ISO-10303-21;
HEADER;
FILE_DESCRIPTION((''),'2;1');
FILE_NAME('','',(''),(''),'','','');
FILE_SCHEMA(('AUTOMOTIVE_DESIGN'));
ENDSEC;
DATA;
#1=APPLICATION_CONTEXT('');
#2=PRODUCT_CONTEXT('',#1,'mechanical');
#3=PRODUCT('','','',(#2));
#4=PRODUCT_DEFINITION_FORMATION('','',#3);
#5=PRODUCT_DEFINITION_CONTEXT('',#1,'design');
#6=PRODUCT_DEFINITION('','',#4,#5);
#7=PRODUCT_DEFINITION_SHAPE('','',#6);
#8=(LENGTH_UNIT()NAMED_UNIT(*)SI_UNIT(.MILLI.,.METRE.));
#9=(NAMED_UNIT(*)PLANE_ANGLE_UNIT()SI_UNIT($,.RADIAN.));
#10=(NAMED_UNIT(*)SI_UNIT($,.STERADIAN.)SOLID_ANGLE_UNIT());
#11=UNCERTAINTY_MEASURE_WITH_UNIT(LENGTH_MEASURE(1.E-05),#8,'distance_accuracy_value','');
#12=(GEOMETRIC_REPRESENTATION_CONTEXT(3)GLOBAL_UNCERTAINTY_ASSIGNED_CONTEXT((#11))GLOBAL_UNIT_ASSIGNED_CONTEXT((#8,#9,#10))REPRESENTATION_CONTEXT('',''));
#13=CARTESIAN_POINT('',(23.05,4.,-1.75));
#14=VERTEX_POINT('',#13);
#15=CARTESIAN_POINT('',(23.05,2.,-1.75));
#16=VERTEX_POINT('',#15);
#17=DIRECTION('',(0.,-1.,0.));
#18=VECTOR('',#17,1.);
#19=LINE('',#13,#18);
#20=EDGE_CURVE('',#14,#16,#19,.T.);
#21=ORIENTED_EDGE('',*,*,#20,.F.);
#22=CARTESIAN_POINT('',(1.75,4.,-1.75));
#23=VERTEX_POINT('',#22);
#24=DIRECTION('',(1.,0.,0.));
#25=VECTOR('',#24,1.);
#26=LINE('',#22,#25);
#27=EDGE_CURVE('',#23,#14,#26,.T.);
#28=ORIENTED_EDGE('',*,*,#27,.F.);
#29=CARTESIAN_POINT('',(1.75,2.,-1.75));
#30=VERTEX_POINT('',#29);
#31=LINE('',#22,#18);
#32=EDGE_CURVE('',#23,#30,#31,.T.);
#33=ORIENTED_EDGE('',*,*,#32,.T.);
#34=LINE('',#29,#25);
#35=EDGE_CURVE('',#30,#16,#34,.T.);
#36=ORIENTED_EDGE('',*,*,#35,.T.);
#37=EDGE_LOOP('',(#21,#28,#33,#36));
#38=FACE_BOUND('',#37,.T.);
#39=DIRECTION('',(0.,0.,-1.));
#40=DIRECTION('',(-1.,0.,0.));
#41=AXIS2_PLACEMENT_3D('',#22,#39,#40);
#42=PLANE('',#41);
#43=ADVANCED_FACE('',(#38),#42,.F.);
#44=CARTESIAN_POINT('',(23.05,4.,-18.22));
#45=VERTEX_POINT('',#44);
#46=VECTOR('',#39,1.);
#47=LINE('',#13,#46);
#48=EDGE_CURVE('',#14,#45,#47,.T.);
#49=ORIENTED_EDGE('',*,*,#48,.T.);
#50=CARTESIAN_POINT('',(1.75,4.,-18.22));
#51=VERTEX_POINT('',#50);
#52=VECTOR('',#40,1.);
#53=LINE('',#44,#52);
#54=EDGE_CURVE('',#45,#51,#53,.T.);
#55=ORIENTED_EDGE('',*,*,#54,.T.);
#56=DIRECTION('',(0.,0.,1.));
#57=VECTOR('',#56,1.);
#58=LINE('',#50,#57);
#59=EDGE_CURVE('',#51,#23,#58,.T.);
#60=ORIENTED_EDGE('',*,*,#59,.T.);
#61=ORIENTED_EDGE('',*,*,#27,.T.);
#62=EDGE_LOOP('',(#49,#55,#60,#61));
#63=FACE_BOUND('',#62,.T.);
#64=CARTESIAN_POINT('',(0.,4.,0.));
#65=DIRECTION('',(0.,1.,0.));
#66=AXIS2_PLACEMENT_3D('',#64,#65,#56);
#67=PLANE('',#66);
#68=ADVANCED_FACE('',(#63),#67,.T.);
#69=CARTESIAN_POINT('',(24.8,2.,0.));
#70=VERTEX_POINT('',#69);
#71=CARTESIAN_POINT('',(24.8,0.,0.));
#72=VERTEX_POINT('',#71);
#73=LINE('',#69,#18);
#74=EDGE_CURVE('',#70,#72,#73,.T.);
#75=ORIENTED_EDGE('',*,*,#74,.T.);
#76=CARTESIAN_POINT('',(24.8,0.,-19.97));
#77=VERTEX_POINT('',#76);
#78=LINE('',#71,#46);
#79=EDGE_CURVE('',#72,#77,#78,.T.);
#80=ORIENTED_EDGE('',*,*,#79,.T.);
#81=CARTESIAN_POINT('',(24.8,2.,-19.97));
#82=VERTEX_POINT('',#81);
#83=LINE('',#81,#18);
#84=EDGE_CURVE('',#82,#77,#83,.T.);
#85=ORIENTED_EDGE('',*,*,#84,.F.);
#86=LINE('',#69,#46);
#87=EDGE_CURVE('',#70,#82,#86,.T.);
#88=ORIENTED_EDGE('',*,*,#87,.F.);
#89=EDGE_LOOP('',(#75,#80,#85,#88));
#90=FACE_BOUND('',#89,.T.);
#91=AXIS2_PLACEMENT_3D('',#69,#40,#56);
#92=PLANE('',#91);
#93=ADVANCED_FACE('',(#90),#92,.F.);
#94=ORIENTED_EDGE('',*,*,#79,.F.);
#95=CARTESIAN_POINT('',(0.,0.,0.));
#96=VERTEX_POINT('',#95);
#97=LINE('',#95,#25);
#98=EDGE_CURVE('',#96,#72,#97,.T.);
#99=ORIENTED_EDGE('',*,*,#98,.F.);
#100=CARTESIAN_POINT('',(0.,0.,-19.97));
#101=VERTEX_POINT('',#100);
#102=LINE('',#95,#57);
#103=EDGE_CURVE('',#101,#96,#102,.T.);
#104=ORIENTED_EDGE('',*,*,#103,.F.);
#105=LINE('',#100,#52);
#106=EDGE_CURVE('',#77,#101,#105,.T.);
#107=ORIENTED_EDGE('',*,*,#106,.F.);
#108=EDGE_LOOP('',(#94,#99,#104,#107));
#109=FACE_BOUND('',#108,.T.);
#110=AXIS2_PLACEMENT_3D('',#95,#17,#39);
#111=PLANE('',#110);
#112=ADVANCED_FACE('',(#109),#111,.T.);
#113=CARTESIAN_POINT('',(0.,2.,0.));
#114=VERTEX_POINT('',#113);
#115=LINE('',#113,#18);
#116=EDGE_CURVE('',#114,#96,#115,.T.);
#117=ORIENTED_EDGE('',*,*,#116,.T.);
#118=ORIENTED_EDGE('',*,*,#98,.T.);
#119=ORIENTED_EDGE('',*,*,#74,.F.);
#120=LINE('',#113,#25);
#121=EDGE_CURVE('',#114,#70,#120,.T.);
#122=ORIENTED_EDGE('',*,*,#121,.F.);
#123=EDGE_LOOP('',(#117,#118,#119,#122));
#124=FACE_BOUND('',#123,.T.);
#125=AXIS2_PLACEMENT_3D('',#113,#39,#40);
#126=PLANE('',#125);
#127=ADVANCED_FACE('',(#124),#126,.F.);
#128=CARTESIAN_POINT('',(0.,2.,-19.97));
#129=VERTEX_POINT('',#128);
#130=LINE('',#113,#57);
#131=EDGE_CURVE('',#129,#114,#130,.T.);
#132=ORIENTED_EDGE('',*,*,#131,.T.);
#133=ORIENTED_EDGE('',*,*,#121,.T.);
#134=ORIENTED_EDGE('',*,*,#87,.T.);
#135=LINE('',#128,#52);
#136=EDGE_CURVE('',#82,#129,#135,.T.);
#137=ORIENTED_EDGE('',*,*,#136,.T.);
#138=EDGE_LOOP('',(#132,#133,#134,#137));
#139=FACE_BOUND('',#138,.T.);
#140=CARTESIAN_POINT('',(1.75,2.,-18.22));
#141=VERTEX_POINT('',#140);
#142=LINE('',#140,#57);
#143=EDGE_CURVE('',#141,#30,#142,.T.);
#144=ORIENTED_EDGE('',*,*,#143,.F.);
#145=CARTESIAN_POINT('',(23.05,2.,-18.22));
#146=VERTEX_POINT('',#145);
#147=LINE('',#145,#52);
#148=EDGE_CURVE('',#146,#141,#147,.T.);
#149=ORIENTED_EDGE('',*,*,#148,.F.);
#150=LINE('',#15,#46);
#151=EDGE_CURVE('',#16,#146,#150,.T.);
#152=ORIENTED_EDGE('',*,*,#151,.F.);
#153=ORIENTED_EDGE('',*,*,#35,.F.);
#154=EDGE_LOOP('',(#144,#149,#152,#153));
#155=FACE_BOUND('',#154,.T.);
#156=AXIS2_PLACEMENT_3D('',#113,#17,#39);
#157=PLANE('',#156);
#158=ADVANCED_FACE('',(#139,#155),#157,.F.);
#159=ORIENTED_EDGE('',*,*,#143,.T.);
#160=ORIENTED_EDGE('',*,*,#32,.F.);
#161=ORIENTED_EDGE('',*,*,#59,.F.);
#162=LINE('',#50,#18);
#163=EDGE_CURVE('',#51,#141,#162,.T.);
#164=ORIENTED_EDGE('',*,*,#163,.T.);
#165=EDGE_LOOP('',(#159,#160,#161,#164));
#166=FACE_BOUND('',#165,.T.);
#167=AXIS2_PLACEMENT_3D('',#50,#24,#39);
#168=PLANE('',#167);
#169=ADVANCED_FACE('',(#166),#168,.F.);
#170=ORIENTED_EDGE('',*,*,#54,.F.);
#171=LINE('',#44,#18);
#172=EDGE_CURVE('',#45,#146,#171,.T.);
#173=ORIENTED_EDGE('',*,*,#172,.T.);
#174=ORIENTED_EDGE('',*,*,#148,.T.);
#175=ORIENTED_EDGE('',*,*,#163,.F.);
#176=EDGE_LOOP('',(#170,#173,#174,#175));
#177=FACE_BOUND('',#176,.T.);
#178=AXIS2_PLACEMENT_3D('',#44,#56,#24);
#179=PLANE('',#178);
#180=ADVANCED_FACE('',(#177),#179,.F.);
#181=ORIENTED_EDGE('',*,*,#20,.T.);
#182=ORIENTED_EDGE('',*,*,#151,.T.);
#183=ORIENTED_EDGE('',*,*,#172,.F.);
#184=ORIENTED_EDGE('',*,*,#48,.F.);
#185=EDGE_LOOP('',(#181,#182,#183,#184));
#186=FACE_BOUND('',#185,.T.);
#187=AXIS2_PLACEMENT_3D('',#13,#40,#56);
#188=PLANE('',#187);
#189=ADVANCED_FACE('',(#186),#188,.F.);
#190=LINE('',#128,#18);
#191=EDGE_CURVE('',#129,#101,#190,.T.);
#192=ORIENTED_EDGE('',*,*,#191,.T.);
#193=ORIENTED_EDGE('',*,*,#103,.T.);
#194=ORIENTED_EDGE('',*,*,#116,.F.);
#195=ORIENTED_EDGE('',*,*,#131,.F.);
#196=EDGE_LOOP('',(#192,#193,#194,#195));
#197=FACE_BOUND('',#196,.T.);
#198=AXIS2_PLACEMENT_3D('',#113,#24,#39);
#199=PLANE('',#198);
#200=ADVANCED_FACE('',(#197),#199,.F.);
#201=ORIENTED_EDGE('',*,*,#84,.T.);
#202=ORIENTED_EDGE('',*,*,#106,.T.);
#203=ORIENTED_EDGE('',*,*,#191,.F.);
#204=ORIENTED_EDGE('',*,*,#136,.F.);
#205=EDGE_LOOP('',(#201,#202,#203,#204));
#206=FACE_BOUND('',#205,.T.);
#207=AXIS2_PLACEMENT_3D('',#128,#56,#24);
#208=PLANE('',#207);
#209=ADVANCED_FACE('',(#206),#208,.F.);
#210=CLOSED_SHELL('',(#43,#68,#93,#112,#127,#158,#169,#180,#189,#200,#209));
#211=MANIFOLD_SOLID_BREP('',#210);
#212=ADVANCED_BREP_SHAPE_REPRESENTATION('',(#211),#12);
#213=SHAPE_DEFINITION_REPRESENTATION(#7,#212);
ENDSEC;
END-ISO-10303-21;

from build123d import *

# Parameters (mm, degrees)
SKETCH1_W           = 24.8
SKETCH1_H           = 19.97
BOSS_EXTRUDE1_DEPTH = 2
SKETCH2_W           = 21.3
SKETCH2_H           = 16.47
BOSS_EXTRUDE2_DEPTH = 2


with BuildPart() as part:
    # Sketch1 → Boss-Extrude1 (new body)
    with BuildSketch(Plane(origin=(0, 0, 0), x_dir=(1, 0, 0), z_dir=(0, 1, 0))):
        with Locations((12.4, 9.985)):
            Rectangle(SKETCH1_W, SKETCH1_H)
    extrude(amount=BOSS_EXTRUDE1_DEPTH)

    # Sketch2 → Boss-Extrude2 (add)
    with BuildSketch(Plane(origin=(0, 2, 0), x_dir=(1, 0, 0), z_dir=(0, 1, 0))):
        with Locations((12.4, 9.985)):
            Rectangle(SKETCH2_W, SKETCH2_H)
    extrude(amount=BOSS_EXTRUDE2_DEPTH)


solid = part.part
